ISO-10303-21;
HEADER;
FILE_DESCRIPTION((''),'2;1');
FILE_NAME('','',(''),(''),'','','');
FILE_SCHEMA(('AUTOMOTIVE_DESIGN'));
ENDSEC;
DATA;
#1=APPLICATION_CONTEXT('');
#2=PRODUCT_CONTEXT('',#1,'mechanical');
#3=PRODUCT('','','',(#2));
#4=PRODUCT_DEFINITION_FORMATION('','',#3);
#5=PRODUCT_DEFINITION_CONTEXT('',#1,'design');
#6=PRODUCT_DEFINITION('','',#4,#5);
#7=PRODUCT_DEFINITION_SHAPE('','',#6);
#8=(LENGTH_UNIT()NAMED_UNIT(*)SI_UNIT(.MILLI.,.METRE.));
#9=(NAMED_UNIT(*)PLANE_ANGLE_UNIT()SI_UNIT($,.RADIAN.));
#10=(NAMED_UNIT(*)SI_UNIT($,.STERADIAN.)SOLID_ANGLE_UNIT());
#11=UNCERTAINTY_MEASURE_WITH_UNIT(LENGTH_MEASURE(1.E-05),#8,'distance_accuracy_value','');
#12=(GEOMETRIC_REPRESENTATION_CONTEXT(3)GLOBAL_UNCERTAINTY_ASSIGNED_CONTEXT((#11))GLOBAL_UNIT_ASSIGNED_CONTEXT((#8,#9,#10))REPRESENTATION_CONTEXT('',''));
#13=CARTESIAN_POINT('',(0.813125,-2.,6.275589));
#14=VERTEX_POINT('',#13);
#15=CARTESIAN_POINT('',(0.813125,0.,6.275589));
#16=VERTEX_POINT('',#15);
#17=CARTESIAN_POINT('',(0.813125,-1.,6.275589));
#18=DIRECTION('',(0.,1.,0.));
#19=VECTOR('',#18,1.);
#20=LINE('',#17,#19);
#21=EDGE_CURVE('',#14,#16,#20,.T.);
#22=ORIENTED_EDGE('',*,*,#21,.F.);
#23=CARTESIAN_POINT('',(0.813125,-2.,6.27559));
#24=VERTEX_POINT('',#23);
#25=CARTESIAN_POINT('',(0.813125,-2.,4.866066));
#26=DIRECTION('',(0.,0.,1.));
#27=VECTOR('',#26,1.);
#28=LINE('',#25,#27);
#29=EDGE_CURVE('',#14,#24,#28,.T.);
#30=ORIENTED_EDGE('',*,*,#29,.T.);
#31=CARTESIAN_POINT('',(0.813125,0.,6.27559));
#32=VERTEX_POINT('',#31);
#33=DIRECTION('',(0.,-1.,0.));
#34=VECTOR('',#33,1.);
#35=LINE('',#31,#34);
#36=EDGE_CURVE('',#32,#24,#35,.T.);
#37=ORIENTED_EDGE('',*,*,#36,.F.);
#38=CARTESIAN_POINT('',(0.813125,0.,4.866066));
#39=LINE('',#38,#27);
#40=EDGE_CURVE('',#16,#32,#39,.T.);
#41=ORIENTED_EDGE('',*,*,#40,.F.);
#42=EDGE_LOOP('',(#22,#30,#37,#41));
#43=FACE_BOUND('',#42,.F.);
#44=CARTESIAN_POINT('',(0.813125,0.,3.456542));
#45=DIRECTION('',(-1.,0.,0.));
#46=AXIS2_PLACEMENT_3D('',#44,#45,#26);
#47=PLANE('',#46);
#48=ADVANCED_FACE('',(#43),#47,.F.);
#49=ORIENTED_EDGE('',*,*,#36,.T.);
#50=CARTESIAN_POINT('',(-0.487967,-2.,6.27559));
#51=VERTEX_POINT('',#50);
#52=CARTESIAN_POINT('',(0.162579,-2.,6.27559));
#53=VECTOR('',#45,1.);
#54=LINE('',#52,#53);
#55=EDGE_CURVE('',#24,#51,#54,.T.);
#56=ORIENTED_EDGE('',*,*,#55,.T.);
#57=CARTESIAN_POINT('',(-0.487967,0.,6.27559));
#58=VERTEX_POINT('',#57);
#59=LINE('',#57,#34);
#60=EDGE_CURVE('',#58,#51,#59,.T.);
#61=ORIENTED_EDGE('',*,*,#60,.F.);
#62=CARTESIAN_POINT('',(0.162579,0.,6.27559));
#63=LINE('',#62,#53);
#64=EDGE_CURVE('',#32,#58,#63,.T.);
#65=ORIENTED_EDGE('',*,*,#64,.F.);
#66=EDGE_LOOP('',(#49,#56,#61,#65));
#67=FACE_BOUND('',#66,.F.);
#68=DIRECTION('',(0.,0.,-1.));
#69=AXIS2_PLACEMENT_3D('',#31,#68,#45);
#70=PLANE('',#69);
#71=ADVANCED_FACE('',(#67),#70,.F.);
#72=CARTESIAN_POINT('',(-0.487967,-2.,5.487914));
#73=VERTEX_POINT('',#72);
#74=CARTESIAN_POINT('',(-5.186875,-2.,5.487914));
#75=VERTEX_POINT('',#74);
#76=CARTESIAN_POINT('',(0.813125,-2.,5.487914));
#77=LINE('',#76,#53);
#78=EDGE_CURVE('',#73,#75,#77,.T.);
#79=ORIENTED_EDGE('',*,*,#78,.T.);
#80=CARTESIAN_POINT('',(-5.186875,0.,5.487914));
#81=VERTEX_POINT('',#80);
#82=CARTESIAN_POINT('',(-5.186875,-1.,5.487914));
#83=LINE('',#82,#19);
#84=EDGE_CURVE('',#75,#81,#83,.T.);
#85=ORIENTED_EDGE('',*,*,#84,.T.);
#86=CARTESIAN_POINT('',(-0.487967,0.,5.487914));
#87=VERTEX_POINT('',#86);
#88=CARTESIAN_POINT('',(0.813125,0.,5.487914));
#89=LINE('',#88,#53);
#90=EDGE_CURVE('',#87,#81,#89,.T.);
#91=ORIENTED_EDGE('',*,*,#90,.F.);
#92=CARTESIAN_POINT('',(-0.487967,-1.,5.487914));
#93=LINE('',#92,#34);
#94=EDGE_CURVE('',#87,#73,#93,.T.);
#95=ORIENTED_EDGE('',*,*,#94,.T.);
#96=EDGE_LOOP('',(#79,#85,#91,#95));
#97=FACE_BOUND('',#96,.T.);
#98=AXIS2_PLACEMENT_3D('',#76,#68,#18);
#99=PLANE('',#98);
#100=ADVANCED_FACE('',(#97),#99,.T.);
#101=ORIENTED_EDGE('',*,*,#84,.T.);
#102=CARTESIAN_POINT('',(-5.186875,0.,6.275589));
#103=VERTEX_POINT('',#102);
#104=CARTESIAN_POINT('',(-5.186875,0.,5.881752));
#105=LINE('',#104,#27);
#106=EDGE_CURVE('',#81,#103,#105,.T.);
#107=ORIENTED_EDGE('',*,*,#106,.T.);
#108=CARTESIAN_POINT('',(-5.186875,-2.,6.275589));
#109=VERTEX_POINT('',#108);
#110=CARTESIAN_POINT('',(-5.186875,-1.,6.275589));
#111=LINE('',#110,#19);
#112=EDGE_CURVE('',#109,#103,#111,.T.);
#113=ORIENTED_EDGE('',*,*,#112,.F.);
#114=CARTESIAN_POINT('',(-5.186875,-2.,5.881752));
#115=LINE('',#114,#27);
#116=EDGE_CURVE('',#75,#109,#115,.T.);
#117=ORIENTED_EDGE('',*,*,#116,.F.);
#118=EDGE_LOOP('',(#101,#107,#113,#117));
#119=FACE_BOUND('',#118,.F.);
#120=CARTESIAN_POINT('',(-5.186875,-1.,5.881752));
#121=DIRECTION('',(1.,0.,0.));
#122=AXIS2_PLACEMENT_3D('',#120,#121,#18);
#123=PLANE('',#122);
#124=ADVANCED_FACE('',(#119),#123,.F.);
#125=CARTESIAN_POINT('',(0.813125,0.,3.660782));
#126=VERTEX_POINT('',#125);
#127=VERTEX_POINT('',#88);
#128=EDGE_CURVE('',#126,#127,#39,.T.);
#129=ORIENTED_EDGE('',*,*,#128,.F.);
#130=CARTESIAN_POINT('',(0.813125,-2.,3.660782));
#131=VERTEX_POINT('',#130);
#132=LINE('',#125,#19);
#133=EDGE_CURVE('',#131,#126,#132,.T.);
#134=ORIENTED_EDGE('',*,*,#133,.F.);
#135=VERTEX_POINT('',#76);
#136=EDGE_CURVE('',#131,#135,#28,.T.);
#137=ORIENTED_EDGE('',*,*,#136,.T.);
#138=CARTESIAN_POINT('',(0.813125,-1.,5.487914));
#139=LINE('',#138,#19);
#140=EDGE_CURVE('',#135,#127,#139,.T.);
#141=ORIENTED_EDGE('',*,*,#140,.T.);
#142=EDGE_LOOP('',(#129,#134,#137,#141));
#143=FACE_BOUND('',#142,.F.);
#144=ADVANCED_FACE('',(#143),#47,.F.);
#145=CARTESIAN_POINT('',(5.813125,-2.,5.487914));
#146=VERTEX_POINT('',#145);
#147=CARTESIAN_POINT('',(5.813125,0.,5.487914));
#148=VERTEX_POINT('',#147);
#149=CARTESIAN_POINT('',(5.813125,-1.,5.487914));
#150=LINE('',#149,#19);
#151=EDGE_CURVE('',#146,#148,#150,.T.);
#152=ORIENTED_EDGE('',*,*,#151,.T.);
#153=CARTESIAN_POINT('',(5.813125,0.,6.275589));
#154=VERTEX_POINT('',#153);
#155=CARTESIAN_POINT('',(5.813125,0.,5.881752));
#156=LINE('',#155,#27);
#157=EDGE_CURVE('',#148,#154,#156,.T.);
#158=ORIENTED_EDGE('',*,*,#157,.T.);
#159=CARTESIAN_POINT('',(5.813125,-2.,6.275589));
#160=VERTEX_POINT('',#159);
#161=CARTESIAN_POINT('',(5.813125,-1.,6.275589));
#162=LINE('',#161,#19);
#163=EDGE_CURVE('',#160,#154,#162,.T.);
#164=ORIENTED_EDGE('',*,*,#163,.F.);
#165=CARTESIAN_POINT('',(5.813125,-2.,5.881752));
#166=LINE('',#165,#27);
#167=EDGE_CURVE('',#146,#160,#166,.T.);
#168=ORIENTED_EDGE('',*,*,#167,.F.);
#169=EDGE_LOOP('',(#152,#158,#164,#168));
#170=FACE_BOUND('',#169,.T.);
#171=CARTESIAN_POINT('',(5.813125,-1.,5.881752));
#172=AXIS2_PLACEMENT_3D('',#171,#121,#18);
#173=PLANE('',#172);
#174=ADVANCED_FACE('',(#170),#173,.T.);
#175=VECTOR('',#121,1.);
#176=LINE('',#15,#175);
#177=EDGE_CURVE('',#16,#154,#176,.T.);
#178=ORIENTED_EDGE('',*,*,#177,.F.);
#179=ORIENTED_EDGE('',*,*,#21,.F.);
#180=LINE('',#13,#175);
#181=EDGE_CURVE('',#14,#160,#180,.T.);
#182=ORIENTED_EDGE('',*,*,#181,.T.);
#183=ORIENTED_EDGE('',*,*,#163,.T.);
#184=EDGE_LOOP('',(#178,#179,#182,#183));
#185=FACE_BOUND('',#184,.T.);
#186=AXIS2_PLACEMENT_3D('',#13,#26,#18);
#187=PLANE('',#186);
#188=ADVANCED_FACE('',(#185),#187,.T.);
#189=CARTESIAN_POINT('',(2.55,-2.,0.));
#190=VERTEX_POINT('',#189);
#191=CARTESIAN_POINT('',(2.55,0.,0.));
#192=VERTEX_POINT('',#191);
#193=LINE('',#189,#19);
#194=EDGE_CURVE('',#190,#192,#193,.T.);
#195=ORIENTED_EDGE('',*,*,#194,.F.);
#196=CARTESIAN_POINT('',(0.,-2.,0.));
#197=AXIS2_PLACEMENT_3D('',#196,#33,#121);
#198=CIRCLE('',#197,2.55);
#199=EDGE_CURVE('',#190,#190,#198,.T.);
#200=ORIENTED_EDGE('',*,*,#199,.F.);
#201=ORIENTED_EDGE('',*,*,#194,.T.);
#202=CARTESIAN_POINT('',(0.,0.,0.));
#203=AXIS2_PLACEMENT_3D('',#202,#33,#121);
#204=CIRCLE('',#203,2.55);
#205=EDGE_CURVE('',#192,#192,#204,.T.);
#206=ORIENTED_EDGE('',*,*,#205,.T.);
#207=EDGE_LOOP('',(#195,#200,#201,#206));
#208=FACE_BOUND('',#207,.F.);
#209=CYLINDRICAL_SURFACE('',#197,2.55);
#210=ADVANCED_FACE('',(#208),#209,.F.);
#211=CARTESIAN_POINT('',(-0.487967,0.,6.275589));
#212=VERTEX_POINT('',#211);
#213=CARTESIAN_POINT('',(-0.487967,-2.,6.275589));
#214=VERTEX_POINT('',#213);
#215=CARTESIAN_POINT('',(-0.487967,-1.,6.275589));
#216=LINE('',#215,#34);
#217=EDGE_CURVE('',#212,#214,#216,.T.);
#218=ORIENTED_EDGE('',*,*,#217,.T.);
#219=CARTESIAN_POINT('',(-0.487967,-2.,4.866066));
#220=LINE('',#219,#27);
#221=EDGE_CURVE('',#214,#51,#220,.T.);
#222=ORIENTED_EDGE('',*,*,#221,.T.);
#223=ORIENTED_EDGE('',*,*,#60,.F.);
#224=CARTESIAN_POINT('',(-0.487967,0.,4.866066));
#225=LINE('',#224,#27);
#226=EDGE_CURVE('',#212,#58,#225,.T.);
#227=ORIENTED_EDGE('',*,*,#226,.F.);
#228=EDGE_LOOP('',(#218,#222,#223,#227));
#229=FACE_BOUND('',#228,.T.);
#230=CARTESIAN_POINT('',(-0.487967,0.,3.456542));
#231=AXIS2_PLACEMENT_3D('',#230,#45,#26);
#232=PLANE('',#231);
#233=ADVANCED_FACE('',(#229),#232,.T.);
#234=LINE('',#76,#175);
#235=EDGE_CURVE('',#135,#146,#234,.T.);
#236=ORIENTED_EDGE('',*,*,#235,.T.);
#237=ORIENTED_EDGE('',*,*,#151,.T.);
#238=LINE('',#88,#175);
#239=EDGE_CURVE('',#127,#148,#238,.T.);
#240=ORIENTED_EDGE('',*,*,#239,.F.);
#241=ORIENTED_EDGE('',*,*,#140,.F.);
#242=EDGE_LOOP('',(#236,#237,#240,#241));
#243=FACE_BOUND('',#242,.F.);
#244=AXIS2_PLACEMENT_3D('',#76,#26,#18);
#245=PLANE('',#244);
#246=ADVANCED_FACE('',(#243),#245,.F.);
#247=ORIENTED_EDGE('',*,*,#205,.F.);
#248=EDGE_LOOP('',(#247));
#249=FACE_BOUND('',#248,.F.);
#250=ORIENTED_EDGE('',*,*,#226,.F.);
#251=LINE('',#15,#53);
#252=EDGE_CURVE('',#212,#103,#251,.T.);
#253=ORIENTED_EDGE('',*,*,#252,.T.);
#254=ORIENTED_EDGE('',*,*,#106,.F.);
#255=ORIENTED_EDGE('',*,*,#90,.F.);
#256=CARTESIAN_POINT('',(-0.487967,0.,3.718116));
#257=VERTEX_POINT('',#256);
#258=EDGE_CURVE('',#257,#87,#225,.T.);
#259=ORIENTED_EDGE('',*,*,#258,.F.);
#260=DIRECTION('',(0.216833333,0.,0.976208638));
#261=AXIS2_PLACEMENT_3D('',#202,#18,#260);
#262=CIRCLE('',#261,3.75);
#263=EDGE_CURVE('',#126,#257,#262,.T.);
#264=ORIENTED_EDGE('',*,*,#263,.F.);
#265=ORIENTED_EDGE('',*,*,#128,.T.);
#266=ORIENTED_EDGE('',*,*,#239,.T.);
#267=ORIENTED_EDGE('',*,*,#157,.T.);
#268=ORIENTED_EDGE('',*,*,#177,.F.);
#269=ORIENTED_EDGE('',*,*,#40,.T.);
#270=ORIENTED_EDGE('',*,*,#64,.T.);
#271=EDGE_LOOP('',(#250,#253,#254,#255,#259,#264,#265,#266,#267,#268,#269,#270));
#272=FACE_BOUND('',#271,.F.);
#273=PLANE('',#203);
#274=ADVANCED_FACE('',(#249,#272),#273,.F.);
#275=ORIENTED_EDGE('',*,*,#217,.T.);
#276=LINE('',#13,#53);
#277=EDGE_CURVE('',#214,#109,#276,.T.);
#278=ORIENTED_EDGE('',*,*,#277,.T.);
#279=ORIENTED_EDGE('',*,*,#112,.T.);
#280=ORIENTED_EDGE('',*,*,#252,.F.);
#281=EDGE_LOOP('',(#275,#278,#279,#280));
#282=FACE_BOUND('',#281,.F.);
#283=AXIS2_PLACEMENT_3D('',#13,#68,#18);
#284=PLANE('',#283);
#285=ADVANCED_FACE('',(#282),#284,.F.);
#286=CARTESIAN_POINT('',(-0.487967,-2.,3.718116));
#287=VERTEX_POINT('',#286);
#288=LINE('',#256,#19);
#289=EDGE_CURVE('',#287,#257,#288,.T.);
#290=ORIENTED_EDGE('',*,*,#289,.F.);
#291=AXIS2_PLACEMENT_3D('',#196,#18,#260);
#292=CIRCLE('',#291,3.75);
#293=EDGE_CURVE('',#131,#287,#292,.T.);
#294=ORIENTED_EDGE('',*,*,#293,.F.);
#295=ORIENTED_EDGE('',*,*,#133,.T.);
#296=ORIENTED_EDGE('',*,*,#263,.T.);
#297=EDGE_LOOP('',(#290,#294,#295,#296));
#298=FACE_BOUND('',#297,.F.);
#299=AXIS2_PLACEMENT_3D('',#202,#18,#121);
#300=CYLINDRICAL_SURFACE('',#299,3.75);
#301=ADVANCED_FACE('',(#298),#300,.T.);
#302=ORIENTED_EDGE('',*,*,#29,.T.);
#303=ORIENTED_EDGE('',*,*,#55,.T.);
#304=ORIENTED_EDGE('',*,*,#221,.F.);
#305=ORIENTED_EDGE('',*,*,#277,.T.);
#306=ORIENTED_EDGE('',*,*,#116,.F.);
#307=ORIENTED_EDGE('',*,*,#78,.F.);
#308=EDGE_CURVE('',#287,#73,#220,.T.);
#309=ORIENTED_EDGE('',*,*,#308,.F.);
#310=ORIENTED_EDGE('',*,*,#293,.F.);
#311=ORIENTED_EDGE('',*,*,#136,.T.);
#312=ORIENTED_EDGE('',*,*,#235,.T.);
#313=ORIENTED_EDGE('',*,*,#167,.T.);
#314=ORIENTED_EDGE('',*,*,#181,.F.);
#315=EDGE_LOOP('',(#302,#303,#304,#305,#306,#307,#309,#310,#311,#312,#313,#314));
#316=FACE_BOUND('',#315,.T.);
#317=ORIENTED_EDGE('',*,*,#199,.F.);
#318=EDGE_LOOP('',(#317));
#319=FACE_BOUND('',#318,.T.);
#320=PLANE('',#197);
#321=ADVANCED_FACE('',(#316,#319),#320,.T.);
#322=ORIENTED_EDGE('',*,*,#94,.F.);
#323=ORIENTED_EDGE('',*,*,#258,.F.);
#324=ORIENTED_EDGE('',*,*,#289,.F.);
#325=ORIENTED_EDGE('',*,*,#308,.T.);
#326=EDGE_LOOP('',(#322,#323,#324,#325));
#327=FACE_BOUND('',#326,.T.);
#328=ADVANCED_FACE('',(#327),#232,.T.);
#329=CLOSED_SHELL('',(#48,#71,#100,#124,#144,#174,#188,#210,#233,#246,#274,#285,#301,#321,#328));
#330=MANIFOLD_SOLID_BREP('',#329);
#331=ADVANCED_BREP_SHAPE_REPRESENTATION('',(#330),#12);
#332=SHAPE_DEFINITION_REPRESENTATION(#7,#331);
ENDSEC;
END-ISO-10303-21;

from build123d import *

# Parameters (mm, degrees)
F0_R          = 3.75
F1_DEPTH      = 2
F2_R          = 2.55
F3_DEPTH      = 25
F4_R          = 2.55
F5_DEPTH      = 25
F6_W          = 1.301092
F6_H          = 2.819048
F7_DEPTH      = 2
F8_W          = 2
F8_H          = 0.787675
F9_DEPTH      = 5
F9_DEPTH_BACK = 6


with BuildPart() as f1:
    # F0 (on Front) → F1 (new body)
    with BuildSketch(Plane.XZ):
        Circle(F0_R)
    extrude(amount=F1_DEPTH)

    # F2 (on Front) → F3 (cut)
    with BuildSketch(Plane.XZ):
        Circle(F2_R)
    extrude(amount=-F3_DEPTH, mode=Mode.SUBTRACT)

    # F4 (on face) → F5 (cut)
    with BuildSketch(Plane.XZ.offset(2)):
        Circle(F4_R)
    extrude(amount=-F5_DEPTH, mode=Mode.SUBTRACT)

    # F6 (on face) → F7 (join)
    with BuildSketch(Plane(origin=(0, 0, 0), x_dir=(-1, 0, 0), z_dir=(0, 1, 0))):
        with Locations((-0.162579, 4.866066)):
            Rectangle(F6_W, F6_H)
    extrude(amount=-F7_DEPTH)

    # F8 (on face) → F9 (join, two sides)
    with BuildSketch(Plane.YZ.offset(0.813125)) as f9_sk:
        with Locations((-1, 5.881752)):
            Rectangle(F8_W, F8_H)
    extrude(amount=F9_DEPTH)
    extrude(f9_sk.sketch, amount=-F9_DEPTH_BACK)


solid = f1.part
